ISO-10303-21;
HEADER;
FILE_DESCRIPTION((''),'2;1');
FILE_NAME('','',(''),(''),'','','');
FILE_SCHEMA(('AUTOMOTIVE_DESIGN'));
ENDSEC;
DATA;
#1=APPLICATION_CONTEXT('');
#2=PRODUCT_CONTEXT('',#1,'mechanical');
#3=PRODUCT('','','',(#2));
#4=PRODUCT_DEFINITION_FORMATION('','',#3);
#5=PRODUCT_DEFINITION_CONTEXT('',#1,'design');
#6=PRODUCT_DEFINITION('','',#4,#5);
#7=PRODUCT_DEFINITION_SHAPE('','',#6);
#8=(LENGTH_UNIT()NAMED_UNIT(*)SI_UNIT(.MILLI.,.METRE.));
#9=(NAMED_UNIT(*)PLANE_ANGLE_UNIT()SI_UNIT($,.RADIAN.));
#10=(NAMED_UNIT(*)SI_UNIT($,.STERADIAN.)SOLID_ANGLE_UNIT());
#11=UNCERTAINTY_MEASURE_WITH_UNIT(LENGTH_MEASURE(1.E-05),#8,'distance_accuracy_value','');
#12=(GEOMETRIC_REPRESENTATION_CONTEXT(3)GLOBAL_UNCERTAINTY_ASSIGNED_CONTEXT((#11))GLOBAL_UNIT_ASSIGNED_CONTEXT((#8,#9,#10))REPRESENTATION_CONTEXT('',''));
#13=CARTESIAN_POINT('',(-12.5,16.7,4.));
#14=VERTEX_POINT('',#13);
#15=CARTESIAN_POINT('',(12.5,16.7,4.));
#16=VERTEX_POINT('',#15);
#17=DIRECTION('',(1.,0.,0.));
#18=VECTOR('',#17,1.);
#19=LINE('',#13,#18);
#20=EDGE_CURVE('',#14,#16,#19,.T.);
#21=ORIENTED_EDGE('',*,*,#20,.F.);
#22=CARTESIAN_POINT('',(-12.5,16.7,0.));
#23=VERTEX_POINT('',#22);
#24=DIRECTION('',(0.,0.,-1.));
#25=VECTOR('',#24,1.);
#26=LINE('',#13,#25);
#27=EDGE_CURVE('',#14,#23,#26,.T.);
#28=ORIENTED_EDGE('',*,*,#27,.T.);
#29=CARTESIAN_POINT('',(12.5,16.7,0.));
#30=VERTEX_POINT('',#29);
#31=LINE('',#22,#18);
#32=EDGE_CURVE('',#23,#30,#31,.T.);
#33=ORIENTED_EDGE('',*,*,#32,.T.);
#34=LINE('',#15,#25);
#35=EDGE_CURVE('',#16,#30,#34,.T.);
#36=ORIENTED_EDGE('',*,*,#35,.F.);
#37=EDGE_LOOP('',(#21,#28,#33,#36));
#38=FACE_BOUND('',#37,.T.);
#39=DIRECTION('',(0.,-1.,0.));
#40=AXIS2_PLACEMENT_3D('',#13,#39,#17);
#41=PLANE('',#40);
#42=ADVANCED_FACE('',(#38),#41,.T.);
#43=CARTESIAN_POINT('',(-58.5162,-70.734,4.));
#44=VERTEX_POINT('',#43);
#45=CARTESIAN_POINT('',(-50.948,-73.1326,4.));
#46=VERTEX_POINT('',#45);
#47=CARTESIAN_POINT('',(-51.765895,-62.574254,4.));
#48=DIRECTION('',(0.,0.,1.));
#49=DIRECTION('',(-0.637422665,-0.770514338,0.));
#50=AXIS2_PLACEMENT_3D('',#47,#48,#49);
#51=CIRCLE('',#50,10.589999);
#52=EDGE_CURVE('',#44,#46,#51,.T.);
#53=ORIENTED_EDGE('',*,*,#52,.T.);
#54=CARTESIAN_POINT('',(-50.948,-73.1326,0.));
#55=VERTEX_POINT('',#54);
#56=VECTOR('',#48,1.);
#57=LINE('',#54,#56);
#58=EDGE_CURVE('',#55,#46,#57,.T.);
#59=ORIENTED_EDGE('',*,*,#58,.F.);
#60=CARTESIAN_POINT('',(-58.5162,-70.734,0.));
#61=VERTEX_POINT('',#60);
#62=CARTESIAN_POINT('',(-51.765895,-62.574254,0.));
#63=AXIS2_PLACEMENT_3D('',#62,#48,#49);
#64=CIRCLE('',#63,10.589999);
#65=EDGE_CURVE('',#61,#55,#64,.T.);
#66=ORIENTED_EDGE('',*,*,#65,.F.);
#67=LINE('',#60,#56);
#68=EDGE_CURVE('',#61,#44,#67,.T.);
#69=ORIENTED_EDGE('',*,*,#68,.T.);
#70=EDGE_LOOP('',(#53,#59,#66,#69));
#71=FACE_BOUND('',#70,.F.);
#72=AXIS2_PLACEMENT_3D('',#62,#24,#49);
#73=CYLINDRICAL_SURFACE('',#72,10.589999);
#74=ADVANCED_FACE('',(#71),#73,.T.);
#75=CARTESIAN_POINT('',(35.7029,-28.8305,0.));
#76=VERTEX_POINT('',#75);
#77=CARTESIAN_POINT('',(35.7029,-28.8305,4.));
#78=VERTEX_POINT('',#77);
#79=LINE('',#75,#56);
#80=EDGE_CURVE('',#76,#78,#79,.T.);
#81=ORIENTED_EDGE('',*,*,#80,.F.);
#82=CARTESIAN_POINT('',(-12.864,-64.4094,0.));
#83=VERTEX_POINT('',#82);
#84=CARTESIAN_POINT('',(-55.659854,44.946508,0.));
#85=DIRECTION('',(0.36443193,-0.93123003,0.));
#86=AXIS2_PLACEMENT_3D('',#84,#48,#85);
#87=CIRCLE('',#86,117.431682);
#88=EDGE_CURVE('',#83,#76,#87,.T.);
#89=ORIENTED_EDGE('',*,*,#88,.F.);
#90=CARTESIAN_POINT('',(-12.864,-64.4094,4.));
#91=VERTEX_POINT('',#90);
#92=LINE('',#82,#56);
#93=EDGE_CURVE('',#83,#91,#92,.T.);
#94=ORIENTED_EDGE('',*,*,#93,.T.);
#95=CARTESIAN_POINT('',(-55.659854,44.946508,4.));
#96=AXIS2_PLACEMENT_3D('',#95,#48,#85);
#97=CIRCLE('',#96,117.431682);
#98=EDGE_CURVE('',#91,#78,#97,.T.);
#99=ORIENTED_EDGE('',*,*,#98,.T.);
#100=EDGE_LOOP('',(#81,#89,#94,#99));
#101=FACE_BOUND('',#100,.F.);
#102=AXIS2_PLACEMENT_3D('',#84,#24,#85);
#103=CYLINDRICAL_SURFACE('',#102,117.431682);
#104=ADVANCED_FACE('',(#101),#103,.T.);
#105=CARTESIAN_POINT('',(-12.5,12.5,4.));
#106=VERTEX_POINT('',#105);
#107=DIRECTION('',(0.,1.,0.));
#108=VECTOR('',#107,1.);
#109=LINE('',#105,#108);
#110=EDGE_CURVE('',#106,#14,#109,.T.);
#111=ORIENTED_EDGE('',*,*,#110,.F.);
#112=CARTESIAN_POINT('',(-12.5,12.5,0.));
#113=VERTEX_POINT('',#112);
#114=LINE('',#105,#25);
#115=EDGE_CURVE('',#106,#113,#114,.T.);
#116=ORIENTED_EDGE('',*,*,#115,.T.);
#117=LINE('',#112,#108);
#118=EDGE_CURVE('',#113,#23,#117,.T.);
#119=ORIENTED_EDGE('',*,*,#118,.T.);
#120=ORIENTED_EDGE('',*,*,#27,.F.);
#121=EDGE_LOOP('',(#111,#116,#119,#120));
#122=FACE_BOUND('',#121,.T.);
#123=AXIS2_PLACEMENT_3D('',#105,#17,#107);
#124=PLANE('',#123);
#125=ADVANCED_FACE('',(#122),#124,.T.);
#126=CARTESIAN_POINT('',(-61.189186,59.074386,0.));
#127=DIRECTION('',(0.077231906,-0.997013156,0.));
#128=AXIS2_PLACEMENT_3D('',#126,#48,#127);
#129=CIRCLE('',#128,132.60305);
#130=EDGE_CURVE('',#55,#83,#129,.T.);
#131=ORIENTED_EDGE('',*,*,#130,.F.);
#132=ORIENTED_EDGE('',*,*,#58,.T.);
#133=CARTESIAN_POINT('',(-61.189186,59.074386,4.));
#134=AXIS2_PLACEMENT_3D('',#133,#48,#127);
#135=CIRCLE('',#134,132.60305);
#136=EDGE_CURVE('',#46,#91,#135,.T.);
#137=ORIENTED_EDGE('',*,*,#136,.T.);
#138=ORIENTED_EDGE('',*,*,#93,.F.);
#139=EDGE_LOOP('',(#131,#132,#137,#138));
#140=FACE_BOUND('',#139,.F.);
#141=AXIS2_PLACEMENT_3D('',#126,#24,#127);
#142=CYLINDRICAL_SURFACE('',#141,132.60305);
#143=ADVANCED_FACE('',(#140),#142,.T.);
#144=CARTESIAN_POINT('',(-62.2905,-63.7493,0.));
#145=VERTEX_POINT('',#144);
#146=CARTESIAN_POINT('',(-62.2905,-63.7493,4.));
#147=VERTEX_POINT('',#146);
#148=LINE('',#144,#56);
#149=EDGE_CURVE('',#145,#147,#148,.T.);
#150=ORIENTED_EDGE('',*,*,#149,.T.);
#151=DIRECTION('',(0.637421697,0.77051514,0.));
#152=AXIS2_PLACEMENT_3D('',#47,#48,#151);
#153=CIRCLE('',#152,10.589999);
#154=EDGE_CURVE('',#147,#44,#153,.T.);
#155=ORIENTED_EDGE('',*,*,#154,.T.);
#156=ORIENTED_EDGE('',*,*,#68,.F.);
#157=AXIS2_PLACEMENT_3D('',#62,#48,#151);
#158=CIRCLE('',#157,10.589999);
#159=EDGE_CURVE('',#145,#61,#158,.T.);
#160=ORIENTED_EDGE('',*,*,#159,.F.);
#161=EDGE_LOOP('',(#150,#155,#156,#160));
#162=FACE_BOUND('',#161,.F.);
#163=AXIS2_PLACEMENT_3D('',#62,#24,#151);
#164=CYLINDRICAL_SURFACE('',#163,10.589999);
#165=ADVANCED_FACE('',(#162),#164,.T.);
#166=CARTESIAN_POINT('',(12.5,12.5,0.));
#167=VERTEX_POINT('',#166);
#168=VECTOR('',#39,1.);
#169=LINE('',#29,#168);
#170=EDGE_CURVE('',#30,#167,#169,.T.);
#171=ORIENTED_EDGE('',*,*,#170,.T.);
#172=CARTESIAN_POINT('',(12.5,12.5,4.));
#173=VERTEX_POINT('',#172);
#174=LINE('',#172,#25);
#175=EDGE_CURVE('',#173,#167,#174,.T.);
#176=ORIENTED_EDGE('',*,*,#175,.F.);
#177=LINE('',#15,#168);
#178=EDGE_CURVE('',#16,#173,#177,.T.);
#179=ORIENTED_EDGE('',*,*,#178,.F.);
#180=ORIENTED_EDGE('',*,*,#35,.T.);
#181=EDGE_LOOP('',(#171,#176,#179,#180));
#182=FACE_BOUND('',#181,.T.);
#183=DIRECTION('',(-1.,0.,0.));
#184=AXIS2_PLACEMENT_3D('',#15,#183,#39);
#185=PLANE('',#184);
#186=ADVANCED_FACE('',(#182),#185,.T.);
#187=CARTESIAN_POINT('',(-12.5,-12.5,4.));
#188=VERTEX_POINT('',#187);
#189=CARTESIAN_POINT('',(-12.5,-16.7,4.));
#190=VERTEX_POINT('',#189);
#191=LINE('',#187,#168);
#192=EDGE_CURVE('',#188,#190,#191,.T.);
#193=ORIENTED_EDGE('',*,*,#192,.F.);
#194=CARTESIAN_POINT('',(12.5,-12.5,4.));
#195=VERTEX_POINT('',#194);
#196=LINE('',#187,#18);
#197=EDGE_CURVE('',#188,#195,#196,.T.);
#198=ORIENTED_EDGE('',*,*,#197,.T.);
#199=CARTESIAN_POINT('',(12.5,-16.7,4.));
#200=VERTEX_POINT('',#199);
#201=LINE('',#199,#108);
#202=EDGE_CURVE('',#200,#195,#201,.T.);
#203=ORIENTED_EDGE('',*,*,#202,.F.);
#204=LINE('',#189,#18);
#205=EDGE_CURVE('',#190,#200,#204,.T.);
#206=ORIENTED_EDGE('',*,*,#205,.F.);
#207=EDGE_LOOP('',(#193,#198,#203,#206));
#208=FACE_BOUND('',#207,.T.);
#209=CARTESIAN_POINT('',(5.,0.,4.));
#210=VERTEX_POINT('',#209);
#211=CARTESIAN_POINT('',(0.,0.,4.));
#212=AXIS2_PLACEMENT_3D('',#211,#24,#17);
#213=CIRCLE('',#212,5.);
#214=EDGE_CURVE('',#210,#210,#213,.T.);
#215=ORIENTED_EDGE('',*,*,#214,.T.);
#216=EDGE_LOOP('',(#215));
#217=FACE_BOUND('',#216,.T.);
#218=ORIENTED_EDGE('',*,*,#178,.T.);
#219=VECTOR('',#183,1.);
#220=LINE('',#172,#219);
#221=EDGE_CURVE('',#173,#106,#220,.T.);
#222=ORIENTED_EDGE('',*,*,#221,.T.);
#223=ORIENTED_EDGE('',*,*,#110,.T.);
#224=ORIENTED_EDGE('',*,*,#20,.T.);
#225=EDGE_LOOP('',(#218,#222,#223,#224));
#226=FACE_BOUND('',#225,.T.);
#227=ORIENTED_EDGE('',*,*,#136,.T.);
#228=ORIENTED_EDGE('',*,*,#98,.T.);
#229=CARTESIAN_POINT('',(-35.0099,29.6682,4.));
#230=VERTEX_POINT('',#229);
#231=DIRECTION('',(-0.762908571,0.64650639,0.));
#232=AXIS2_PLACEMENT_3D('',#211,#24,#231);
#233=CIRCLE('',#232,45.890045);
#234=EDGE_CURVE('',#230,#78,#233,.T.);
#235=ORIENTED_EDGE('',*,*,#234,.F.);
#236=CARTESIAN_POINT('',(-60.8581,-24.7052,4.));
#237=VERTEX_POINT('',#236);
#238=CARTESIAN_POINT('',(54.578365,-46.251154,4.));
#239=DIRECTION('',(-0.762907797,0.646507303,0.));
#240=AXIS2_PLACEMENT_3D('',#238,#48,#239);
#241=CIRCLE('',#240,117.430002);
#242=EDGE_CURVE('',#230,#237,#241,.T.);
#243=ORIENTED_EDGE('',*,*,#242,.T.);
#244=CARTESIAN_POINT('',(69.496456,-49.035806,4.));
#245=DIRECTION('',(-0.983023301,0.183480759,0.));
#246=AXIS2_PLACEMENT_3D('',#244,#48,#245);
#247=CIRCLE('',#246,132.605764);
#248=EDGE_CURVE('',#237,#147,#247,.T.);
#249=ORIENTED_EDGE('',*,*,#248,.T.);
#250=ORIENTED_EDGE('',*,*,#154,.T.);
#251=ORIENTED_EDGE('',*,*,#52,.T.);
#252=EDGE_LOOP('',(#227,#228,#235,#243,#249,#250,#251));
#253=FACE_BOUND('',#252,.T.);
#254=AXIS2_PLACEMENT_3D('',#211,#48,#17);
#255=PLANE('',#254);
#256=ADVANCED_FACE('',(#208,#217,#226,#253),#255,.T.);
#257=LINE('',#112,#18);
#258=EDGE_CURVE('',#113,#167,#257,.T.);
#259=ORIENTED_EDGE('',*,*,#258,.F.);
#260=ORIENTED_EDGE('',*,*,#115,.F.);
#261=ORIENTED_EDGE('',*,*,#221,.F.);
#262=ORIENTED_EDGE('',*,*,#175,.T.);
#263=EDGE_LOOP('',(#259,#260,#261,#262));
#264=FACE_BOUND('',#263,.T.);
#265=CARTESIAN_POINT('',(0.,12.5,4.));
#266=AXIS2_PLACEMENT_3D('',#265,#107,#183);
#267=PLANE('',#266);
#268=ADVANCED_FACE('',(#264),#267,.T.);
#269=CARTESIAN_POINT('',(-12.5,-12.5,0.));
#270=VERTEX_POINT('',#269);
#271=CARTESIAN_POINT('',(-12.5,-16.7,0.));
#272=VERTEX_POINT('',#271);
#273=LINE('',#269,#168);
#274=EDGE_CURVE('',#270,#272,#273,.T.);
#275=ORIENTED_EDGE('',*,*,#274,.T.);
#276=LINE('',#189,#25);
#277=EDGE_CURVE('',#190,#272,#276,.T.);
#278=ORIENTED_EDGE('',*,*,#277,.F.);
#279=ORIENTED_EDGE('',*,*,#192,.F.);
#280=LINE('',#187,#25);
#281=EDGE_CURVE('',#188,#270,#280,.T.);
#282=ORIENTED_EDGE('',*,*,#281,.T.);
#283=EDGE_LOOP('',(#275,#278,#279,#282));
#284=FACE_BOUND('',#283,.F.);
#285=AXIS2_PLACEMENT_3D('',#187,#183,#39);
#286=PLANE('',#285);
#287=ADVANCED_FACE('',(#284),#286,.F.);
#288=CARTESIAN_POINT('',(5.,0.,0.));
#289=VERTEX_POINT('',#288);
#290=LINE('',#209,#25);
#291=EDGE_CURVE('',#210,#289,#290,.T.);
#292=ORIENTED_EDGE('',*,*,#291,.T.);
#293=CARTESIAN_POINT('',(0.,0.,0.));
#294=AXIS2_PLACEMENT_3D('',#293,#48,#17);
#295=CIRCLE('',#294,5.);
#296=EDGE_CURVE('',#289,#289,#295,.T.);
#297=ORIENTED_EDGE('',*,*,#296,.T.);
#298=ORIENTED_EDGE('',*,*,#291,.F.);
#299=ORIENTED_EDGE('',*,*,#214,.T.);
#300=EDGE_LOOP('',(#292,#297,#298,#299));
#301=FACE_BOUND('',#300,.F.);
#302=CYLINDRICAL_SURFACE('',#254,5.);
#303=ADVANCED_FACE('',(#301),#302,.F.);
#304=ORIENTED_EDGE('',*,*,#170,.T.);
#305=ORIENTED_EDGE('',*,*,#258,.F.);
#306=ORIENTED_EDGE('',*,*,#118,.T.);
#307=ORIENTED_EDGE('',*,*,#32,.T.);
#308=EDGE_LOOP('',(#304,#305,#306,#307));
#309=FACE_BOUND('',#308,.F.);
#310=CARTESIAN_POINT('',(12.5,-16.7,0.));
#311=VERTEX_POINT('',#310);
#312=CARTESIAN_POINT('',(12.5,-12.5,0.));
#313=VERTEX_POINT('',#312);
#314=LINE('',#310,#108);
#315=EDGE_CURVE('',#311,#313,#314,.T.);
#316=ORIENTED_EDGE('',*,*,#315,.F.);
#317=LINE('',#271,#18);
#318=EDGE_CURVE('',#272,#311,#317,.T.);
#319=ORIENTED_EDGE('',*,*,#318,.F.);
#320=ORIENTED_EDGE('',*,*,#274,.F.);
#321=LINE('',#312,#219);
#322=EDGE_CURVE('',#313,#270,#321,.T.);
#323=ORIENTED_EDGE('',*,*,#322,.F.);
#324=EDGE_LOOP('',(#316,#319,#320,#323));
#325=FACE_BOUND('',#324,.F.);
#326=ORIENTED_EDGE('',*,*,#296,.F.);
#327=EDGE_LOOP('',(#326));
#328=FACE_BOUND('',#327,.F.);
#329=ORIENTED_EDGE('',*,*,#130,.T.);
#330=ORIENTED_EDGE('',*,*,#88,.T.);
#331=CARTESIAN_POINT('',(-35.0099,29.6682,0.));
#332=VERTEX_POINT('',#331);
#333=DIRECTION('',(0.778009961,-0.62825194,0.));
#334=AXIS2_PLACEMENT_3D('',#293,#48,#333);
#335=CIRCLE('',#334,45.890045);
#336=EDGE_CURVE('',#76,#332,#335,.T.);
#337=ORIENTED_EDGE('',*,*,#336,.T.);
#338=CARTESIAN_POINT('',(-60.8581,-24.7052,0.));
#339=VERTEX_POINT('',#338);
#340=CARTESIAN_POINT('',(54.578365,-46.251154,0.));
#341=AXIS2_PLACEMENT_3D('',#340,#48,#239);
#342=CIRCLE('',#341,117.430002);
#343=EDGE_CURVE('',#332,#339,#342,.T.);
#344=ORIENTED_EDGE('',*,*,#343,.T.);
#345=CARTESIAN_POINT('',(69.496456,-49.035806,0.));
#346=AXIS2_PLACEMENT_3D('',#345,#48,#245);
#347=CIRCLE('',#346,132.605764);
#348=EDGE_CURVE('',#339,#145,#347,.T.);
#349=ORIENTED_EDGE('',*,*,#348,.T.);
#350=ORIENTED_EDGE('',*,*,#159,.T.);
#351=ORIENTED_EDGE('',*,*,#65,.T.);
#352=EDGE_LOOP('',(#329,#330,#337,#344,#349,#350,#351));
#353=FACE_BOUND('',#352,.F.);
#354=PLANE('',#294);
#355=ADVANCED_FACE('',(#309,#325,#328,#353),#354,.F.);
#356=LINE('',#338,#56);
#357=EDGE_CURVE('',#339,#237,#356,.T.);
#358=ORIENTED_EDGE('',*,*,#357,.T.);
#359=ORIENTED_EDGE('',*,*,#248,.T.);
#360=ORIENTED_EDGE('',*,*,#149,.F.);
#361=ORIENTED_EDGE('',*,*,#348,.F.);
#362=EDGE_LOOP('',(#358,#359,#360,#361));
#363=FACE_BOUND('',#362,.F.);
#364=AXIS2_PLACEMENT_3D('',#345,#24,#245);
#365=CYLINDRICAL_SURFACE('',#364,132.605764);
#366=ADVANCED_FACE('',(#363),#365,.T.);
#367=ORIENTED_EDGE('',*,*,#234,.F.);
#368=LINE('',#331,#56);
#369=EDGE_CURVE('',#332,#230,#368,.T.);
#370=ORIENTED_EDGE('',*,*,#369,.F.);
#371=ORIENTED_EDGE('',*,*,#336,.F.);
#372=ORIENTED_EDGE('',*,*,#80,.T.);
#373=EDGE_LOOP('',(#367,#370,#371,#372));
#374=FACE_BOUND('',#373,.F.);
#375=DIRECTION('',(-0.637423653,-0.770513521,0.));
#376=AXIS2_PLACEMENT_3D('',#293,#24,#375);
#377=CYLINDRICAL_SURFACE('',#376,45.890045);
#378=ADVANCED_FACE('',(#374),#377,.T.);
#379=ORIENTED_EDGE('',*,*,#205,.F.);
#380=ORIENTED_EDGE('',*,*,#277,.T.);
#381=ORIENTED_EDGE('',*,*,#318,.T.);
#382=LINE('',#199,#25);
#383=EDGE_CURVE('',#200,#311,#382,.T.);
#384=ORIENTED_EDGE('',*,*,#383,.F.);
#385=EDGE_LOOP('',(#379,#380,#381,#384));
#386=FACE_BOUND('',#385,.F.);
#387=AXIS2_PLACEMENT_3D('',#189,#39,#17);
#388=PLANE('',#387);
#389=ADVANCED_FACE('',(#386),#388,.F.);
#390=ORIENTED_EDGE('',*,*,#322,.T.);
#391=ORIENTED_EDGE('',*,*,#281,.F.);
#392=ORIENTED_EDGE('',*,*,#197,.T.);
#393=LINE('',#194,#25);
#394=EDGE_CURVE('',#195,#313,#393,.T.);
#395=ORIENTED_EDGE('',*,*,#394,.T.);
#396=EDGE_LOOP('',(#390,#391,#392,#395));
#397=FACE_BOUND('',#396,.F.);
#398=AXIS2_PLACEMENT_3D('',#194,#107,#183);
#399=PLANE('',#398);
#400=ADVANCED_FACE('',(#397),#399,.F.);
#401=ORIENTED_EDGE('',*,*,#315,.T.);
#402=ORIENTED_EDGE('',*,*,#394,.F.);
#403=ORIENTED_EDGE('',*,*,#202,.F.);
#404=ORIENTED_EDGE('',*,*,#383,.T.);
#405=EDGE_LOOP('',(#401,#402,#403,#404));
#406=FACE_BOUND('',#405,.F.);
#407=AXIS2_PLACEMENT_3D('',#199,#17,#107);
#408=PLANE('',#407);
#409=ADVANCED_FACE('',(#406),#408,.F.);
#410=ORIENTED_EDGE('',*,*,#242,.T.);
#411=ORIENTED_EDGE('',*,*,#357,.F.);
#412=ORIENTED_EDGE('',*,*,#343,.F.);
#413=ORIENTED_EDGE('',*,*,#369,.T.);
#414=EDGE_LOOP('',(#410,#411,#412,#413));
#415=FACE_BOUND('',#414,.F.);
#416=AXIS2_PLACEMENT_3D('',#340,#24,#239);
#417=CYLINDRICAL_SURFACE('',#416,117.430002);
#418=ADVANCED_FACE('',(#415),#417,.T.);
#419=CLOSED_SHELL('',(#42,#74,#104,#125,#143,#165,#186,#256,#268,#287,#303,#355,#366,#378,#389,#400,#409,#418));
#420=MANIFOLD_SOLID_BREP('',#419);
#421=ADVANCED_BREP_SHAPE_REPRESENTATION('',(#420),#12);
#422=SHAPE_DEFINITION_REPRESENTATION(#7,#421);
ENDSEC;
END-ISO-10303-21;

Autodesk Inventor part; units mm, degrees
ref_plane "YZ Plane" through (0, 0, 0) normal (1, 0, 0) x (0, 1, 0)
ref_plane "XZ Plane" through (0, 0, 0) normal (0, 1, 0) x (-1, 0, 0)
ref_plane "XY Plane" through (0, 0, 0) normal (0, 0, 1) x (1, 0, 0)
sketch "Boceto1" plane through (0, 0, 0) normal (0, 0, 1) x (1, 0, 0)
  arc A0 (29.2514, 35.3589) -> (-29.2514, -35.3589) centre (0, 0) ccw
  arc A1 (-45.0156, -54.4145) -> (-58.5162, -70.734) centre (-51.7659, -62.5742) ccw
  line L0 (-60.4706, -73.0964) -> (-68.6303, -66.3461)
  line L1 (-35.0099, 29.6682) -> (-48.6094, 40.9187)
  line L2 (-48.6094, 40.9187) -> (-68.6303, -66.3461)
  line L3 (-68.6303, -66.3461) -> (-60.8581, -24.7052)
  arc A2 (-35.0099, 29.6682) -> (-60.8581, -24.7052) centre (54.5789, -46.2515) ccw
  arc A3 (-60.8581, -24.7052) -> (-62.2905, -63.7493) centre (69.4964, -49.0358) ccw
  line L4 (2.2501, 2.7199) -> (29.2514, 35.3589)
  line L5 (-2.2501, -2.7199) -> (-60.4706, -73.0964)
  arc A4 (-29.2514, -35.3589) -> (29.2514, 35.3589) centre (0, 0) ccw
  arc A5 (-58.5162, -70.734) -> (-45.0156, -54.4145) centre (-51.7659, -62.5742) ccw
  line L6 (-60.4706, -73.0964) -> (-52.3109, -79.8467)
  line L7 (35.7029, -28.8305) -> (49.3024, -40.081)
  line L8 (49.3024, -40.081) -> (-52.3109, -79.8467)
  line L9 (-52.3109, -79.8467) -> (-12.864, -64.4094)
  arc A6 (-12.864, -64.4094) -> (35.7029, -28.8305) centre (-55.6593, 44.9455) ccw
  arc A7 (-50.948, -73.1326) -> (-12.864, -64.4094) centre (-61.1896, 59.0771) ccw
  dimension "d0" = 91.78
  dimension "d6" = 21.18
  dimension "d7" = 10.59
  dimension "d8" = 17.65
  dimension "d9" = 42.36
extrude "Extrusión2" add sketch "Boceto1" along normal blind 4 contours A4 A0 | A0 L5 A1 A3 A2 | A6 A7 A5 L5 A4 | L5 A1 | A5 L5
sketch "Boceto2" plane through (0, 0, 4) normal (0, 0, 1) x (1, 0, 0)
  line L0 (0, 0) -> (0, 12.5)
  line L1 (0, 12.5) -> (-12.5, 12.5)
  line L2 (-12.5, 12.5) -> (-12.5, 16.7)
  line L3 (-12.5, 16.7) -> (12.5, 16.7)
  line L4 (12.5, 16.7) -> (12.5, 12.5)
  line L5 (12.5, 12.5) -> (0, 12.5)
  line L6 (0, 0) -> (12.5, 0)
  line L7 (0, 0) -> (0, -12.5)
  line L8 (0, -12.5) -> (-12.5, -12.5)
  line L9 (-12.5, -12.5) -> (-12.5, -16.7)
  line L10 (-12.5, -16.7) -> (12.5, -16.7)
  line L11 (12.5, -16.7) -> (12.5, -12.5)
  line L12 (12.5, -12.5) -> (0, -12.5)
  circle A0 centre (0, 0) radius 5
  dimension "d24" = 12.5
  dimension "d25" = 12.5
  dimension "d26" = 4.2
  dimension "d27" = 25
  dimension "d28" = 10
extrude "Extrusión3" cut sketch "Boceto2" against normal blind 4
properties part number "leva00" material "Madera (abedul)"
